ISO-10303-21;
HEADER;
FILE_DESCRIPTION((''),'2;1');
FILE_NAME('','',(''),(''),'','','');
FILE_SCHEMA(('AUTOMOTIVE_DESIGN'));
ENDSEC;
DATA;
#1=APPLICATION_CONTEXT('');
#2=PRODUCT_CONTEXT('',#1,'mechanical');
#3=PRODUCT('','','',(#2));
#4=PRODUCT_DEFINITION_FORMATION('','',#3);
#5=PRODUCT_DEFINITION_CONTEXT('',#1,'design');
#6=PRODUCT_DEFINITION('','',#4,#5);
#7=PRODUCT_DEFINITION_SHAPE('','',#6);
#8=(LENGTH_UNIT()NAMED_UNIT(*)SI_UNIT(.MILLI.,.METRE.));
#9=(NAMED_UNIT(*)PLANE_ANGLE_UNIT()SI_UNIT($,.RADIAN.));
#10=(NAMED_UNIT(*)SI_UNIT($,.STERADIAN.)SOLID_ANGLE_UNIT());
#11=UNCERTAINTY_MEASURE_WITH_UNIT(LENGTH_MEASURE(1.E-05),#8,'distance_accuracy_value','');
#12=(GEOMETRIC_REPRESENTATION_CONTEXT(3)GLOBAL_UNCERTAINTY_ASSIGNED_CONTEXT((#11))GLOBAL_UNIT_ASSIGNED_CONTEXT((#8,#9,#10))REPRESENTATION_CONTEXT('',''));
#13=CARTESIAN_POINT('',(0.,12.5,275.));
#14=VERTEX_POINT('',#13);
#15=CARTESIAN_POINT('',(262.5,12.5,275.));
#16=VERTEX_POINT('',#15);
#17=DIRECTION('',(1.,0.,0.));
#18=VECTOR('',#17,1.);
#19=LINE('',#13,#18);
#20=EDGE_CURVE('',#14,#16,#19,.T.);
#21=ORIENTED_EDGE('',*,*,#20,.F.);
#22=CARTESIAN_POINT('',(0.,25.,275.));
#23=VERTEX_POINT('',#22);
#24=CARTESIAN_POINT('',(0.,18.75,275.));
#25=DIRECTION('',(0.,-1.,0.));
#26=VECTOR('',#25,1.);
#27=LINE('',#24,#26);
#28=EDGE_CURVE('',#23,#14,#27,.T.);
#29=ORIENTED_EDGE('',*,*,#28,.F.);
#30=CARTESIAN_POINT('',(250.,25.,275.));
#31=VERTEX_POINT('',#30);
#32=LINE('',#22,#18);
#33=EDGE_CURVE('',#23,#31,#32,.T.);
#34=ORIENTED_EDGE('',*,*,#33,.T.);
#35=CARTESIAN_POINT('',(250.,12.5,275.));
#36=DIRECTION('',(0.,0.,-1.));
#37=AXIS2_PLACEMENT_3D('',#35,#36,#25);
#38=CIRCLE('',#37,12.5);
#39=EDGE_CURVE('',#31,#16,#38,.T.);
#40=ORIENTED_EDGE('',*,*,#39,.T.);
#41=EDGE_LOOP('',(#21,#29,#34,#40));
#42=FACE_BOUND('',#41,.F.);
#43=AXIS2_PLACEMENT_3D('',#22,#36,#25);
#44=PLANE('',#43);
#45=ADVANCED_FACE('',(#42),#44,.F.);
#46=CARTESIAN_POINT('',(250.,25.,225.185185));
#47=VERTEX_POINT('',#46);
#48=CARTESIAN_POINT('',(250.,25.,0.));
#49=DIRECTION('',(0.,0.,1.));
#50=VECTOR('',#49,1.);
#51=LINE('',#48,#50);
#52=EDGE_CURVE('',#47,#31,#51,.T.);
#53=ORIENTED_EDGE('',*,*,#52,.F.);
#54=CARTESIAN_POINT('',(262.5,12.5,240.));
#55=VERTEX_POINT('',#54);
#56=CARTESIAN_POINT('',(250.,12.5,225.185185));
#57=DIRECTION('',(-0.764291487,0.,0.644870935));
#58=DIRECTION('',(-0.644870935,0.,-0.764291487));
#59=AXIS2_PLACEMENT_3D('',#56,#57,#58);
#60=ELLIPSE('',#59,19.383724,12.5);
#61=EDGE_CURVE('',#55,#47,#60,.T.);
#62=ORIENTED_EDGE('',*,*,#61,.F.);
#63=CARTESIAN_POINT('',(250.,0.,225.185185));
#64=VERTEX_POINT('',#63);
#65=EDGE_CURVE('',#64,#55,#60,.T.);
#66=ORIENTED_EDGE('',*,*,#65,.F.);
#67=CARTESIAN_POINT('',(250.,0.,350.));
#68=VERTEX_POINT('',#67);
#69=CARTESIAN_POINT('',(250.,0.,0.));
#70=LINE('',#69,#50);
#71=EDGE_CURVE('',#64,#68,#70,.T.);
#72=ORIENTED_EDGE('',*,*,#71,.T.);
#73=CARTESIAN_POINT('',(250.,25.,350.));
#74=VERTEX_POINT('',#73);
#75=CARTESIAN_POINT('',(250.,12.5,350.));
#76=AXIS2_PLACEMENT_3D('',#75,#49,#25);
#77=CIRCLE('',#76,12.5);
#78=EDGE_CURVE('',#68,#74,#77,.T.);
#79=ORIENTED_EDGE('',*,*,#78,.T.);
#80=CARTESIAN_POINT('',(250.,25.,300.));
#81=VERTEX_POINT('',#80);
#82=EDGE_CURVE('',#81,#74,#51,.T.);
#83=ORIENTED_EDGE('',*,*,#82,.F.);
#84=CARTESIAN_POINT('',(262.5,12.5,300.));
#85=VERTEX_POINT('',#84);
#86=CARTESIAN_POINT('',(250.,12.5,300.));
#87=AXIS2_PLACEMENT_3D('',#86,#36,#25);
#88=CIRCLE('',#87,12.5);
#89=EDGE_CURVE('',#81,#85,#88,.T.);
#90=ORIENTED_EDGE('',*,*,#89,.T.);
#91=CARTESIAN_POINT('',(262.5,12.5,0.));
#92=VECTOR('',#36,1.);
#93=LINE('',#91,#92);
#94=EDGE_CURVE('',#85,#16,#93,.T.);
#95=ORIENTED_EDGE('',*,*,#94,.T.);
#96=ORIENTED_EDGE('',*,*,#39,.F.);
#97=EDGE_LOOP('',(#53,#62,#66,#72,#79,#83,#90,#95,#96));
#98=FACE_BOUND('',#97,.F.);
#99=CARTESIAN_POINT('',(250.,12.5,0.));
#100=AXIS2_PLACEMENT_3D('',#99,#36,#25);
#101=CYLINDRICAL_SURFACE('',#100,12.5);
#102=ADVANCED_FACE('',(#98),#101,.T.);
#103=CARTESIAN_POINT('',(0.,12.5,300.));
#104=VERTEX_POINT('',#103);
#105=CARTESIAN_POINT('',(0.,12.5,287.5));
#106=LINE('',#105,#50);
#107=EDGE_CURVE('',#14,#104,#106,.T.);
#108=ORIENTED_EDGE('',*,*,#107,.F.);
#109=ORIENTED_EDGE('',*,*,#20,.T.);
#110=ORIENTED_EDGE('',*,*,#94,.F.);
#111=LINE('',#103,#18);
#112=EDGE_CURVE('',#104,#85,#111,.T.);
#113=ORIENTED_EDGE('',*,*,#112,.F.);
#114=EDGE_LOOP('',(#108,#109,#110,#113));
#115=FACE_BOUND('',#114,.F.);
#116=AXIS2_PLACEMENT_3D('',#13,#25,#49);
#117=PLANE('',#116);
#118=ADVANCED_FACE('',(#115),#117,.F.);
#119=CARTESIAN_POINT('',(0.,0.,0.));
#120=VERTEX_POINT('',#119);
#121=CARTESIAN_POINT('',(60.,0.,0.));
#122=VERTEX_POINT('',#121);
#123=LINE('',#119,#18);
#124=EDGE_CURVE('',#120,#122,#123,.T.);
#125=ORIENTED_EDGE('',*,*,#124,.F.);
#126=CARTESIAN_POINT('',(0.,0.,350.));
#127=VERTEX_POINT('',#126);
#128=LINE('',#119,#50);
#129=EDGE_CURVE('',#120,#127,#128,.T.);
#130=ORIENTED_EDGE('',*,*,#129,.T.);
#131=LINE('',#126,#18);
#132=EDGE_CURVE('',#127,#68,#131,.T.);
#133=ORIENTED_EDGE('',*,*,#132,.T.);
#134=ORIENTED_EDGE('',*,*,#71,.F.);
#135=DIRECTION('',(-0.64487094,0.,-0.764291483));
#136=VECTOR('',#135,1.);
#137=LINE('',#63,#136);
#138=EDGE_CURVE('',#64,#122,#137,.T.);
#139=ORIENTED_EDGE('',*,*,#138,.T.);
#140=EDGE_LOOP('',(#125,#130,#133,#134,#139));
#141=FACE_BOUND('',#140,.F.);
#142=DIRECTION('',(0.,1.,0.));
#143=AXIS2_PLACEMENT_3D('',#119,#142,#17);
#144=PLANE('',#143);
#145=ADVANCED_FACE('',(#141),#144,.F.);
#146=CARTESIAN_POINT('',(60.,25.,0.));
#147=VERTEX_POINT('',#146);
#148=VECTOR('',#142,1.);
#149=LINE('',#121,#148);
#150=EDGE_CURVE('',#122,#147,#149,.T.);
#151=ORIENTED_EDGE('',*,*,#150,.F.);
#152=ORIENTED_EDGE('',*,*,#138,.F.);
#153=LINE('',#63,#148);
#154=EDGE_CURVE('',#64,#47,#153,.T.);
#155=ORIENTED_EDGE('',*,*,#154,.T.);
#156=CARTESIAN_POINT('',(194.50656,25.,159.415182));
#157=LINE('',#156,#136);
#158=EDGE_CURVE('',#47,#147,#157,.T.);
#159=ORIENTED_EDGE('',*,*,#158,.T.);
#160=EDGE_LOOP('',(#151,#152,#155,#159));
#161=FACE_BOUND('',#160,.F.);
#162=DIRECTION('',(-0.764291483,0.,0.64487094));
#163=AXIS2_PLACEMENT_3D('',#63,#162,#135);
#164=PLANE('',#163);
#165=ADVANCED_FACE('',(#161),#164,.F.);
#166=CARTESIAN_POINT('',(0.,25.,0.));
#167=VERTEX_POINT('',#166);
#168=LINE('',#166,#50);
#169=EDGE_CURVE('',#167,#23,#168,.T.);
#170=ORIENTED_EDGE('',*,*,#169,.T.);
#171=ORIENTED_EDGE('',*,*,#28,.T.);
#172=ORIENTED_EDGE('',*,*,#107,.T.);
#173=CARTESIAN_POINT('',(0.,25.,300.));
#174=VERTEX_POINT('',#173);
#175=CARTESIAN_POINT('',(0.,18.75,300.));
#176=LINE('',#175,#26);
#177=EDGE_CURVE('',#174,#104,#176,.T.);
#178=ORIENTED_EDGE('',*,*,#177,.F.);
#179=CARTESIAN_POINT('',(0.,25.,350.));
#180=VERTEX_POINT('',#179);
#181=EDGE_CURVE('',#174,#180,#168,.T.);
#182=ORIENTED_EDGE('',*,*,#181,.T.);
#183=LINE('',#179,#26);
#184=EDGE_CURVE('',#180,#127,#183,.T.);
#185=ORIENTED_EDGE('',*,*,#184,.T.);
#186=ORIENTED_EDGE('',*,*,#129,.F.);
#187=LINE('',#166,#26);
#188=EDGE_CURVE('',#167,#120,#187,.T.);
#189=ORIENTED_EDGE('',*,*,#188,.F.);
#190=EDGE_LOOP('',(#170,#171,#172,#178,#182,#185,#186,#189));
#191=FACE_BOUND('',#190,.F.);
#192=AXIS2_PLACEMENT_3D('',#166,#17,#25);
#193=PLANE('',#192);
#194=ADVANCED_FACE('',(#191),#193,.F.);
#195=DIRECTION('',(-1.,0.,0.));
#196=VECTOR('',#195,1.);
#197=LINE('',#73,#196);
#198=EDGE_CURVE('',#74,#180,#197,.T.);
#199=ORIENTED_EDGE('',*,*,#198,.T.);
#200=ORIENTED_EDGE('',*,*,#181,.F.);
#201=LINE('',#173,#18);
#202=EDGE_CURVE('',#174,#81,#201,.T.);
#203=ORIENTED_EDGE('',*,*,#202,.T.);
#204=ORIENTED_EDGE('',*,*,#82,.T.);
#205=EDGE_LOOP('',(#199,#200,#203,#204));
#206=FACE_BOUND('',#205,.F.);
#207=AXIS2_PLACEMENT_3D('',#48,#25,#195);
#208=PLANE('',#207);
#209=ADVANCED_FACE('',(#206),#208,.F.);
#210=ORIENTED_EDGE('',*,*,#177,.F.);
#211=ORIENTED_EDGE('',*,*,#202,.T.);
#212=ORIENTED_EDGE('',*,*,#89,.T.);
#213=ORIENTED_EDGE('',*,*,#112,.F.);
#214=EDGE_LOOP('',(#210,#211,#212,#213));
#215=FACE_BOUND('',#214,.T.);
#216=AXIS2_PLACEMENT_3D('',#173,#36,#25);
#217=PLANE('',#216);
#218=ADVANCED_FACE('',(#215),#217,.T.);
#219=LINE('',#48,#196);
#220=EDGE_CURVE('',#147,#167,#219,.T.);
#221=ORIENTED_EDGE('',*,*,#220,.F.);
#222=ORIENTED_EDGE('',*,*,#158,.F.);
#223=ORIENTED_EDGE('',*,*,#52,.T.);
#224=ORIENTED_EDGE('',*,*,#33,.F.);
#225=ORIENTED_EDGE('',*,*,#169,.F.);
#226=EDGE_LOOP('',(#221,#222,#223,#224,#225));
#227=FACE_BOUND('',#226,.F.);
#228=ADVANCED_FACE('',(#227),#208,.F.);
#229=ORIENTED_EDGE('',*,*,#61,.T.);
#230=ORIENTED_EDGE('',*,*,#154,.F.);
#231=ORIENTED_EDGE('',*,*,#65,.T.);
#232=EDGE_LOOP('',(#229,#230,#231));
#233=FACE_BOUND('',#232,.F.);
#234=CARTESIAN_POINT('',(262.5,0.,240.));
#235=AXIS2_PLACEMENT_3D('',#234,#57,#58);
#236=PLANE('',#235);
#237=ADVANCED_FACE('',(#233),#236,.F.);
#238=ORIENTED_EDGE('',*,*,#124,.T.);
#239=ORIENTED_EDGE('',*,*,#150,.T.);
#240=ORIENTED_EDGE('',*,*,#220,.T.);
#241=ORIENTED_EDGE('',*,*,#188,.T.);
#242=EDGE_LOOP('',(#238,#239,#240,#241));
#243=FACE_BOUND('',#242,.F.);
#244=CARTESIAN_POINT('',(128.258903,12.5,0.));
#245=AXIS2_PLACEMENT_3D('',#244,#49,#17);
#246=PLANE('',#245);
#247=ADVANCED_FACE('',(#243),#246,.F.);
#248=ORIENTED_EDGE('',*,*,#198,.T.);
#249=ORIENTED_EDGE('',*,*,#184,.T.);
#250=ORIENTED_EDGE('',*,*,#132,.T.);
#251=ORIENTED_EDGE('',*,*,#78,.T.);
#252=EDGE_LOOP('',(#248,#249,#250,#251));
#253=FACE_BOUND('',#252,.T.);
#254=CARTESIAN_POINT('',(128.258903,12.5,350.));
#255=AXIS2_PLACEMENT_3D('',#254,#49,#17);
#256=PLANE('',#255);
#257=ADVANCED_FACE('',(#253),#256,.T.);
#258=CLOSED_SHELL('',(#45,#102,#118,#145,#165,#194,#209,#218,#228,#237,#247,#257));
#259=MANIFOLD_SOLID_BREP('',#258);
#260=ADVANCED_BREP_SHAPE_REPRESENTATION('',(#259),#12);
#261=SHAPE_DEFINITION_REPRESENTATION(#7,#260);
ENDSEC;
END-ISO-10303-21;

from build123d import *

# Parameters (mm, degrees)
F1_DEPTH = 350
F2_W     = 12.5
F2_H     = 25
F3_DEPTH = 262.501
F5_DEPTH = 25.001


with BuildPart() as f1:
    # F0 (on Top) → F1 (new body)
    with BuildSketch(Plane.XY):
        with BuildLine():
            Line((0, 25), (0, 0))
            Line((0, 0), (250, 0))
            ThreePointArc((250, 0), (262.5, 12.5), (250, 25))
            Line((250, 25), (0, 25))
        make_face()
    extrude(amount=F1_DEPTH)

    # F2 (on face) → F3 (cut, through all)
    with BuildSketch(Plane(origin=(0, 0, 0), x_dir=(0, -1, 0), z_dir=(-1, 0, 0))):
        with Locations((-18.75, 287.5)):
            Rectangle(F2_W, F2_H)
    extrude(amount=-F3_DEPTH, mode=Mode.SUBTRACT)

    # F4 (on face) → F5 (cut, through all)
    with BuildSketch(Plane.XZ):
        Polygon((250, 0), (250, 225.185185), (60, 0), align=None)
        Polygon((262.5, 0), (262.5, 240), (250, 225.185185), (250, 0), align=None)
    extrude(amount=-F5_DEPTH, mode=Mode.SUBTRACT)


solid = f1.part
